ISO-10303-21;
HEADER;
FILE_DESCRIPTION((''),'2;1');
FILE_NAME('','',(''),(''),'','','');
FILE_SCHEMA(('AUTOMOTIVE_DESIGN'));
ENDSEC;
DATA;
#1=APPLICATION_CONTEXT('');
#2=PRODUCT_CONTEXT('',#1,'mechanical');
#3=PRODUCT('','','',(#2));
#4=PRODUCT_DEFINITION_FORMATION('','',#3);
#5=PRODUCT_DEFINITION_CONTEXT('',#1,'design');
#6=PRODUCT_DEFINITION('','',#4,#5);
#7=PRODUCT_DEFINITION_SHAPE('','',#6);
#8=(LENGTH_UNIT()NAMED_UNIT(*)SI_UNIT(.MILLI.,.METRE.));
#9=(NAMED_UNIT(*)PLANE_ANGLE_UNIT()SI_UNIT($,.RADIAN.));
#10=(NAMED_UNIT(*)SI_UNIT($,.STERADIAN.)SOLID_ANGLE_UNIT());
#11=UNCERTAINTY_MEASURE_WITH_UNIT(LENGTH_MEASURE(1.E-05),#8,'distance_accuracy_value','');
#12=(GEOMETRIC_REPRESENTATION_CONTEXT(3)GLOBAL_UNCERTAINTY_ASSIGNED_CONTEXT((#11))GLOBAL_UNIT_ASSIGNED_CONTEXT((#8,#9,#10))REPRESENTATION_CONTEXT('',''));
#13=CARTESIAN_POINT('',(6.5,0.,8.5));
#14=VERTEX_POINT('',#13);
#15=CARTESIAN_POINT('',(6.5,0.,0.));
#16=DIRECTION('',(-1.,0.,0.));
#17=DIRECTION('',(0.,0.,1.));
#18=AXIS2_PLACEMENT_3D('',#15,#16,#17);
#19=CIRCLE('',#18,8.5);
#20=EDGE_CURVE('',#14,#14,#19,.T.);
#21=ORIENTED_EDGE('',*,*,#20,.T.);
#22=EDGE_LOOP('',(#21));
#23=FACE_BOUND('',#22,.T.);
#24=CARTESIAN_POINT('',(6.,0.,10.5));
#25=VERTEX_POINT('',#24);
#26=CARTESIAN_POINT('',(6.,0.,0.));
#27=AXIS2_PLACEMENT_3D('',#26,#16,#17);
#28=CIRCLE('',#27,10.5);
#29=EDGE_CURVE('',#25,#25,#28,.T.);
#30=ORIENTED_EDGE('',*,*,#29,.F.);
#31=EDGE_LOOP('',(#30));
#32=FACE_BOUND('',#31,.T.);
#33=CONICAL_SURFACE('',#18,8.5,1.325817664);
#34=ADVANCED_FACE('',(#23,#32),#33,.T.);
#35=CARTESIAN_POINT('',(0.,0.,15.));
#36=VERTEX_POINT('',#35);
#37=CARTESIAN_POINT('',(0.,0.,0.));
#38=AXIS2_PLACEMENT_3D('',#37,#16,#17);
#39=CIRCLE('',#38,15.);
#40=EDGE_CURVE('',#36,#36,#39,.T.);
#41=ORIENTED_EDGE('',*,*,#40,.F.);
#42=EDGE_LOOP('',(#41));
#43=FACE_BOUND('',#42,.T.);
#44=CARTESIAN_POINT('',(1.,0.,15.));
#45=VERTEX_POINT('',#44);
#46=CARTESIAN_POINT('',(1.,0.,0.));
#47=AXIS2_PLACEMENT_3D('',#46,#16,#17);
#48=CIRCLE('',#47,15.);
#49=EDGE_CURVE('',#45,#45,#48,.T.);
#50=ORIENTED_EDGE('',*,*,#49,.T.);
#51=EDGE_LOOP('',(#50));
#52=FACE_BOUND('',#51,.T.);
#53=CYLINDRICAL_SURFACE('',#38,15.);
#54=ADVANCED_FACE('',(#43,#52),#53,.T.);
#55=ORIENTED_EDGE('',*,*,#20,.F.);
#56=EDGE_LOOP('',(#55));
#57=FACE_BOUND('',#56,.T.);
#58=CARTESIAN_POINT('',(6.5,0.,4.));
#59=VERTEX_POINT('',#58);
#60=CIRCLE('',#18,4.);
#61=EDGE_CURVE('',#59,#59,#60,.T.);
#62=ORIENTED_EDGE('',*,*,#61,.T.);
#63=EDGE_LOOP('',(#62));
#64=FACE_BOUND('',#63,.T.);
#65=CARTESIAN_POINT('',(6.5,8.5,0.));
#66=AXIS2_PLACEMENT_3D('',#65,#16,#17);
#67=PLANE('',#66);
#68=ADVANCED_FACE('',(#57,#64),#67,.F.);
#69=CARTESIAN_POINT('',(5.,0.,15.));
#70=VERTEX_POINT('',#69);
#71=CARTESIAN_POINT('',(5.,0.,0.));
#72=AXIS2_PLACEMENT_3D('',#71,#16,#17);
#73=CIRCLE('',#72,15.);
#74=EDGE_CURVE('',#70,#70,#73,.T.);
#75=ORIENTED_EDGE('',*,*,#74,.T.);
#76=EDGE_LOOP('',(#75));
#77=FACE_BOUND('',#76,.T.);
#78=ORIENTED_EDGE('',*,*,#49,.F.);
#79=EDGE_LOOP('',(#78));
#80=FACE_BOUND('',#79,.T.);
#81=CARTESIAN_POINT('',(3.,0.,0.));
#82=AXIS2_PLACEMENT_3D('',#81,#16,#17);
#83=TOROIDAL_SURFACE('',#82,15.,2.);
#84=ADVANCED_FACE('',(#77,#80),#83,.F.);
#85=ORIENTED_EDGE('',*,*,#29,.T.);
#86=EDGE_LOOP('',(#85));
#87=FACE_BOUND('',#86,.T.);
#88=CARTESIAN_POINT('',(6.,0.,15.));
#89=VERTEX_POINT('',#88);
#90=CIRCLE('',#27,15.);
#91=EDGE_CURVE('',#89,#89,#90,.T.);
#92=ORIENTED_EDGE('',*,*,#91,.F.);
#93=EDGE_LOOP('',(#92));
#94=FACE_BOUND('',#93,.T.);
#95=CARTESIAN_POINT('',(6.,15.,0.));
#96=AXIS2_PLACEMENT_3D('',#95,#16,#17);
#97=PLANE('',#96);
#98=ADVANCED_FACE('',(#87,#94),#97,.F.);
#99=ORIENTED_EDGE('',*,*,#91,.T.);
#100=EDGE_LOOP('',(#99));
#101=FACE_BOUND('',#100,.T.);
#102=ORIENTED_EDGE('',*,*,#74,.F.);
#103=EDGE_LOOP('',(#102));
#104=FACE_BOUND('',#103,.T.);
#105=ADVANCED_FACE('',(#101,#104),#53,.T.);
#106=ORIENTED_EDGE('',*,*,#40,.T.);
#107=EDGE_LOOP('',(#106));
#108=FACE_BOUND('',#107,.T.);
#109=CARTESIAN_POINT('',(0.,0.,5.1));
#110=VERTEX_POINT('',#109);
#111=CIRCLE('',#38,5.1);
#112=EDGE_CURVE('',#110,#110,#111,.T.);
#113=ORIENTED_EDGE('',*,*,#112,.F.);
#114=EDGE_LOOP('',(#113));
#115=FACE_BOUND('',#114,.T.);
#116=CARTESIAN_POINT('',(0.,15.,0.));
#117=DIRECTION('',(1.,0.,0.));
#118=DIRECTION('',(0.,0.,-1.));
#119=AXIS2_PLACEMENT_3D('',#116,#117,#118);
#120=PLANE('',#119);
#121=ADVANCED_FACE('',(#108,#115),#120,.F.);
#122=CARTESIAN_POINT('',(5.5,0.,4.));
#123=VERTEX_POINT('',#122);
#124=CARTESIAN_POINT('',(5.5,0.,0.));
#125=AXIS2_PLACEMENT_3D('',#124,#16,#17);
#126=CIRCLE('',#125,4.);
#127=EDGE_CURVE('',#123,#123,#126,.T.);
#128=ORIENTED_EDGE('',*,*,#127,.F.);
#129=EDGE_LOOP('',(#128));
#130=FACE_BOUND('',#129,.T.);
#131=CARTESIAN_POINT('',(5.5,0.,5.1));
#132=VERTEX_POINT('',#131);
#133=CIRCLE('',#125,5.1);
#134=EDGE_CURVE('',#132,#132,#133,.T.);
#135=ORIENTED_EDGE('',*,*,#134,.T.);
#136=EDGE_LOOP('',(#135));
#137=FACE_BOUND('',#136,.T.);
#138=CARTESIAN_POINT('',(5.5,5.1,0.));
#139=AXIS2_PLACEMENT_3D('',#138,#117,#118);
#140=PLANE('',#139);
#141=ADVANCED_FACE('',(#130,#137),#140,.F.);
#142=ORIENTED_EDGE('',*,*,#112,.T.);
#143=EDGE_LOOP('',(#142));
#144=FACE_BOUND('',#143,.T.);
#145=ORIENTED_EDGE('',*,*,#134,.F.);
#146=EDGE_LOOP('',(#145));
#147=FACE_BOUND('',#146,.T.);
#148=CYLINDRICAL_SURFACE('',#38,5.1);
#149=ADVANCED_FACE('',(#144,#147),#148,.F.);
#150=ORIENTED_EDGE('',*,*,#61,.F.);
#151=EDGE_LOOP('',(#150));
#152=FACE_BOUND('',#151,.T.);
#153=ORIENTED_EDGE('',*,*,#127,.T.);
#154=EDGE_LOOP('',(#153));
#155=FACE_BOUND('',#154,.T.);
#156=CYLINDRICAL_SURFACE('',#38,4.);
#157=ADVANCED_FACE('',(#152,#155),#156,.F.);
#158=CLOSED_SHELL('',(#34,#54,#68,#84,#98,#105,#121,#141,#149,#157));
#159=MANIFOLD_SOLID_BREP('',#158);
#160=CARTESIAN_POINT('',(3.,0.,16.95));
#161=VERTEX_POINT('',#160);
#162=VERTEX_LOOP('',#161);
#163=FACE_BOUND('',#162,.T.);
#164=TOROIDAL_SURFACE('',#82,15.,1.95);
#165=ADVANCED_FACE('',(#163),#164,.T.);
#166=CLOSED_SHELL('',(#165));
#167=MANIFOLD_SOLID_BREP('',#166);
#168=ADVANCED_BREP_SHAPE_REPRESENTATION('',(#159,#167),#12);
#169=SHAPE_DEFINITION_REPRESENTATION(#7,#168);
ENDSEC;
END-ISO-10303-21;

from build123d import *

# Parameters (mm, degrees)
SKETCH_1_R = 1.95


with BuildPart() as part:
    # 草图1 → 旋转1 (revolve)
    with BuildSketch(Plane.XY):
        with Locations((3, 15)):
            Circle(SKETCH_1_R)
        with BuildLine():
            Line((5.5, 5.1), (5.5, 4))
            Line((5.5, 4), (6.5, 4))
            Line((6.5, 4), (6.5, 8.5))
            Line((6.5, 8.5), (6, 10.5))
            Line((6, 10.5), (6, 15))
            Line((6, 15), (5, 15))
            ThreePointArc((5, 15), (3, 13), (1, 15))
            Line((1, 15), (0, 15))
            Line((0, 15), (0, 5.1))
            Line((0, 5.1), (5.5, 5.1))
        make_face()
    revolve(axis=Axis((0, 0, 0), (1, 0, 0)))


solid = part.part
